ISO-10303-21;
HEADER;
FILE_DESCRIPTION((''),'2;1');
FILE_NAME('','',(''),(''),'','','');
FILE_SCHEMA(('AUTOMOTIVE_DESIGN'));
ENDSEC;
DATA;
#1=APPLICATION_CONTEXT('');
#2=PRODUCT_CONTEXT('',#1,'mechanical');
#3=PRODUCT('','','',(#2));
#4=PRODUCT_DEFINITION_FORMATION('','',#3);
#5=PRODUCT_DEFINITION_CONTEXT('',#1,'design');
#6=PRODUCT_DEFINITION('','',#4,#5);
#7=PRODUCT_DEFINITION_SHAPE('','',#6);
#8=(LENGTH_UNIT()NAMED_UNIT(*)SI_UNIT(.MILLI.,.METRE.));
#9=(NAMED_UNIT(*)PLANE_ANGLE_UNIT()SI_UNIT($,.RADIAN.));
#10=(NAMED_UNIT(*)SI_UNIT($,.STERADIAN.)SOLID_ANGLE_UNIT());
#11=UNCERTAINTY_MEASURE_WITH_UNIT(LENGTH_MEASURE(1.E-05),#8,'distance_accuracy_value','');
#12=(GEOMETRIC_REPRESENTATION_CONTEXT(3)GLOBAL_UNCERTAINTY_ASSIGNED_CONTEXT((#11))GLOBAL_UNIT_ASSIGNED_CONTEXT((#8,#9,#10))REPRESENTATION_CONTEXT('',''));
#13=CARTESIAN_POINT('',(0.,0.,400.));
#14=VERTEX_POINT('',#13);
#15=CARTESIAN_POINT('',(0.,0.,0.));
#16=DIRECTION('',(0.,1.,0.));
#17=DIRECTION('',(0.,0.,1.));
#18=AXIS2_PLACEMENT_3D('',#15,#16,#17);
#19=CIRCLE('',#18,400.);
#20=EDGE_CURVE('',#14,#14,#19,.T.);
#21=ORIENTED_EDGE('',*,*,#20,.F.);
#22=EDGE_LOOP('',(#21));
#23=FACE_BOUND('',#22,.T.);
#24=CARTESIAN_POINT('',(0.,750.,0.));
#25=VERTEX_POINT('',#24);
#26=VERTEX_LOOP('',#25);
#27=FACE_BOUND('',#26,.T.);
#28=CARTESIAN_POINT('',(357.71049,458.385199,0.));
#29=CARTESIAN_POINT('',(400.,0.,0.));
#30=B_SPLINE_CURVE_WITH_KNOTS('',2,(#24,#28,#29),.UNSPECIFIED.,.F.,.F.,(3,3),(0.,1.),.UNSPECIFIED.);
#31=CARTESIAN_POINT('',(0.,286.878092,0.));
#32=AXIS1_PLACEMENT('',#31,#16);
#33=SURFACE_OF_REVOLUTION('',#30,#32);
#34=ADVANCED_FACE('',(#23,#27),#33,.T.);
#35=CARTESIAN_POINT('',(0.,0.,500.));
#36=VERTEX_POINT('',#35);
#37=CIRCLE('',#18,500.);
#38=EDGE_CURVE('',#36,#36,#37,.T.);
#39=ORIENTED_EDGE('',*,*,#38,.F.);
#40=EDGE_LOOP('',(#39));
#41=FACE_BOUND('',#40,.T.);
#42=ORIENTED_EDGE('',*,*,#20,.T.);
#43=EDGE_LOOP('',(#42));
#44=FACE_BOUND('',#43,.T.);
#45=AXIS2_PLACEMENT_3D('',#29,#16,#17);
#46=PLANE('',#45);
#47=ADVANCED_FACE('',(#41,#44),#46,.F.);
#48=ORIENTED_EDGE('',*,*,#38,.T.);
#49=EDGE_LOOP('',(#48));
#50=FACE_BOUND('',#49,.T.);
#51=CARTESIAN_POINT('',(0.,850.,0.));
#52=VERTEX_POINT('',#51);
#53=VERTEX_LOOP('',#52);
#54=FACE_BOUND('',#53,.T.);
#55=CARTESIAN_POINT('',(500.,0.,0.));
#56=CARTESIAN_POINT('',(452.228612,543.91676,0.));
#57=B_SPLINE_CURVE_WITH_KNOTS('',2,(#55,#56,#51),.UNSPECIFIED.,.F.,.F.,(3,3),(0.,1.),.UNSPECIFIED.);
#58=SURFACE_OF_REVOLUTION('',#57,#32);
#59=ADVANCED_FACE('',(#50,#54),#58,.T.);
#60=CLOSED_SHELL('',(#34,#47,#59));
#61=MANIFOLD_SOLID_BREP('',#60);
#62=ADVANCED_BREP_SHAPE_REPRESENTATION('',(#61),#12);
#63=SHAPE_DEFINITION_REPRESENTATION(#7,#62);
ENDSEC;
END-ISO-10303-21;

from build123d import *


with BuildPart() as part:
    # Sketch1 → Revolve1 (revolve)
    with BuildSketch(Plane.XY):
        with BuildLine():
            Line((400, 0), (500, 0))
            add(Edge.make_bspline(
                [(0, 850), (452.228611773, 543.916759888), (500, 0)],
                knots=[0, 0, 0, 1, 1, 1], degree=2))
            Line((0, 850), (0, 750))
            add(Edge.make_bspline(
                [(0, 750), (357.710489503, 458.385199362), (400, 0)],
                knots=[0, 0, 0, 1, 1, 1], degree=2))
        make_face()
    revolve(axis=Axis((0, 286.878092342, 0), (0, -1, 0)))


solid = part.part
